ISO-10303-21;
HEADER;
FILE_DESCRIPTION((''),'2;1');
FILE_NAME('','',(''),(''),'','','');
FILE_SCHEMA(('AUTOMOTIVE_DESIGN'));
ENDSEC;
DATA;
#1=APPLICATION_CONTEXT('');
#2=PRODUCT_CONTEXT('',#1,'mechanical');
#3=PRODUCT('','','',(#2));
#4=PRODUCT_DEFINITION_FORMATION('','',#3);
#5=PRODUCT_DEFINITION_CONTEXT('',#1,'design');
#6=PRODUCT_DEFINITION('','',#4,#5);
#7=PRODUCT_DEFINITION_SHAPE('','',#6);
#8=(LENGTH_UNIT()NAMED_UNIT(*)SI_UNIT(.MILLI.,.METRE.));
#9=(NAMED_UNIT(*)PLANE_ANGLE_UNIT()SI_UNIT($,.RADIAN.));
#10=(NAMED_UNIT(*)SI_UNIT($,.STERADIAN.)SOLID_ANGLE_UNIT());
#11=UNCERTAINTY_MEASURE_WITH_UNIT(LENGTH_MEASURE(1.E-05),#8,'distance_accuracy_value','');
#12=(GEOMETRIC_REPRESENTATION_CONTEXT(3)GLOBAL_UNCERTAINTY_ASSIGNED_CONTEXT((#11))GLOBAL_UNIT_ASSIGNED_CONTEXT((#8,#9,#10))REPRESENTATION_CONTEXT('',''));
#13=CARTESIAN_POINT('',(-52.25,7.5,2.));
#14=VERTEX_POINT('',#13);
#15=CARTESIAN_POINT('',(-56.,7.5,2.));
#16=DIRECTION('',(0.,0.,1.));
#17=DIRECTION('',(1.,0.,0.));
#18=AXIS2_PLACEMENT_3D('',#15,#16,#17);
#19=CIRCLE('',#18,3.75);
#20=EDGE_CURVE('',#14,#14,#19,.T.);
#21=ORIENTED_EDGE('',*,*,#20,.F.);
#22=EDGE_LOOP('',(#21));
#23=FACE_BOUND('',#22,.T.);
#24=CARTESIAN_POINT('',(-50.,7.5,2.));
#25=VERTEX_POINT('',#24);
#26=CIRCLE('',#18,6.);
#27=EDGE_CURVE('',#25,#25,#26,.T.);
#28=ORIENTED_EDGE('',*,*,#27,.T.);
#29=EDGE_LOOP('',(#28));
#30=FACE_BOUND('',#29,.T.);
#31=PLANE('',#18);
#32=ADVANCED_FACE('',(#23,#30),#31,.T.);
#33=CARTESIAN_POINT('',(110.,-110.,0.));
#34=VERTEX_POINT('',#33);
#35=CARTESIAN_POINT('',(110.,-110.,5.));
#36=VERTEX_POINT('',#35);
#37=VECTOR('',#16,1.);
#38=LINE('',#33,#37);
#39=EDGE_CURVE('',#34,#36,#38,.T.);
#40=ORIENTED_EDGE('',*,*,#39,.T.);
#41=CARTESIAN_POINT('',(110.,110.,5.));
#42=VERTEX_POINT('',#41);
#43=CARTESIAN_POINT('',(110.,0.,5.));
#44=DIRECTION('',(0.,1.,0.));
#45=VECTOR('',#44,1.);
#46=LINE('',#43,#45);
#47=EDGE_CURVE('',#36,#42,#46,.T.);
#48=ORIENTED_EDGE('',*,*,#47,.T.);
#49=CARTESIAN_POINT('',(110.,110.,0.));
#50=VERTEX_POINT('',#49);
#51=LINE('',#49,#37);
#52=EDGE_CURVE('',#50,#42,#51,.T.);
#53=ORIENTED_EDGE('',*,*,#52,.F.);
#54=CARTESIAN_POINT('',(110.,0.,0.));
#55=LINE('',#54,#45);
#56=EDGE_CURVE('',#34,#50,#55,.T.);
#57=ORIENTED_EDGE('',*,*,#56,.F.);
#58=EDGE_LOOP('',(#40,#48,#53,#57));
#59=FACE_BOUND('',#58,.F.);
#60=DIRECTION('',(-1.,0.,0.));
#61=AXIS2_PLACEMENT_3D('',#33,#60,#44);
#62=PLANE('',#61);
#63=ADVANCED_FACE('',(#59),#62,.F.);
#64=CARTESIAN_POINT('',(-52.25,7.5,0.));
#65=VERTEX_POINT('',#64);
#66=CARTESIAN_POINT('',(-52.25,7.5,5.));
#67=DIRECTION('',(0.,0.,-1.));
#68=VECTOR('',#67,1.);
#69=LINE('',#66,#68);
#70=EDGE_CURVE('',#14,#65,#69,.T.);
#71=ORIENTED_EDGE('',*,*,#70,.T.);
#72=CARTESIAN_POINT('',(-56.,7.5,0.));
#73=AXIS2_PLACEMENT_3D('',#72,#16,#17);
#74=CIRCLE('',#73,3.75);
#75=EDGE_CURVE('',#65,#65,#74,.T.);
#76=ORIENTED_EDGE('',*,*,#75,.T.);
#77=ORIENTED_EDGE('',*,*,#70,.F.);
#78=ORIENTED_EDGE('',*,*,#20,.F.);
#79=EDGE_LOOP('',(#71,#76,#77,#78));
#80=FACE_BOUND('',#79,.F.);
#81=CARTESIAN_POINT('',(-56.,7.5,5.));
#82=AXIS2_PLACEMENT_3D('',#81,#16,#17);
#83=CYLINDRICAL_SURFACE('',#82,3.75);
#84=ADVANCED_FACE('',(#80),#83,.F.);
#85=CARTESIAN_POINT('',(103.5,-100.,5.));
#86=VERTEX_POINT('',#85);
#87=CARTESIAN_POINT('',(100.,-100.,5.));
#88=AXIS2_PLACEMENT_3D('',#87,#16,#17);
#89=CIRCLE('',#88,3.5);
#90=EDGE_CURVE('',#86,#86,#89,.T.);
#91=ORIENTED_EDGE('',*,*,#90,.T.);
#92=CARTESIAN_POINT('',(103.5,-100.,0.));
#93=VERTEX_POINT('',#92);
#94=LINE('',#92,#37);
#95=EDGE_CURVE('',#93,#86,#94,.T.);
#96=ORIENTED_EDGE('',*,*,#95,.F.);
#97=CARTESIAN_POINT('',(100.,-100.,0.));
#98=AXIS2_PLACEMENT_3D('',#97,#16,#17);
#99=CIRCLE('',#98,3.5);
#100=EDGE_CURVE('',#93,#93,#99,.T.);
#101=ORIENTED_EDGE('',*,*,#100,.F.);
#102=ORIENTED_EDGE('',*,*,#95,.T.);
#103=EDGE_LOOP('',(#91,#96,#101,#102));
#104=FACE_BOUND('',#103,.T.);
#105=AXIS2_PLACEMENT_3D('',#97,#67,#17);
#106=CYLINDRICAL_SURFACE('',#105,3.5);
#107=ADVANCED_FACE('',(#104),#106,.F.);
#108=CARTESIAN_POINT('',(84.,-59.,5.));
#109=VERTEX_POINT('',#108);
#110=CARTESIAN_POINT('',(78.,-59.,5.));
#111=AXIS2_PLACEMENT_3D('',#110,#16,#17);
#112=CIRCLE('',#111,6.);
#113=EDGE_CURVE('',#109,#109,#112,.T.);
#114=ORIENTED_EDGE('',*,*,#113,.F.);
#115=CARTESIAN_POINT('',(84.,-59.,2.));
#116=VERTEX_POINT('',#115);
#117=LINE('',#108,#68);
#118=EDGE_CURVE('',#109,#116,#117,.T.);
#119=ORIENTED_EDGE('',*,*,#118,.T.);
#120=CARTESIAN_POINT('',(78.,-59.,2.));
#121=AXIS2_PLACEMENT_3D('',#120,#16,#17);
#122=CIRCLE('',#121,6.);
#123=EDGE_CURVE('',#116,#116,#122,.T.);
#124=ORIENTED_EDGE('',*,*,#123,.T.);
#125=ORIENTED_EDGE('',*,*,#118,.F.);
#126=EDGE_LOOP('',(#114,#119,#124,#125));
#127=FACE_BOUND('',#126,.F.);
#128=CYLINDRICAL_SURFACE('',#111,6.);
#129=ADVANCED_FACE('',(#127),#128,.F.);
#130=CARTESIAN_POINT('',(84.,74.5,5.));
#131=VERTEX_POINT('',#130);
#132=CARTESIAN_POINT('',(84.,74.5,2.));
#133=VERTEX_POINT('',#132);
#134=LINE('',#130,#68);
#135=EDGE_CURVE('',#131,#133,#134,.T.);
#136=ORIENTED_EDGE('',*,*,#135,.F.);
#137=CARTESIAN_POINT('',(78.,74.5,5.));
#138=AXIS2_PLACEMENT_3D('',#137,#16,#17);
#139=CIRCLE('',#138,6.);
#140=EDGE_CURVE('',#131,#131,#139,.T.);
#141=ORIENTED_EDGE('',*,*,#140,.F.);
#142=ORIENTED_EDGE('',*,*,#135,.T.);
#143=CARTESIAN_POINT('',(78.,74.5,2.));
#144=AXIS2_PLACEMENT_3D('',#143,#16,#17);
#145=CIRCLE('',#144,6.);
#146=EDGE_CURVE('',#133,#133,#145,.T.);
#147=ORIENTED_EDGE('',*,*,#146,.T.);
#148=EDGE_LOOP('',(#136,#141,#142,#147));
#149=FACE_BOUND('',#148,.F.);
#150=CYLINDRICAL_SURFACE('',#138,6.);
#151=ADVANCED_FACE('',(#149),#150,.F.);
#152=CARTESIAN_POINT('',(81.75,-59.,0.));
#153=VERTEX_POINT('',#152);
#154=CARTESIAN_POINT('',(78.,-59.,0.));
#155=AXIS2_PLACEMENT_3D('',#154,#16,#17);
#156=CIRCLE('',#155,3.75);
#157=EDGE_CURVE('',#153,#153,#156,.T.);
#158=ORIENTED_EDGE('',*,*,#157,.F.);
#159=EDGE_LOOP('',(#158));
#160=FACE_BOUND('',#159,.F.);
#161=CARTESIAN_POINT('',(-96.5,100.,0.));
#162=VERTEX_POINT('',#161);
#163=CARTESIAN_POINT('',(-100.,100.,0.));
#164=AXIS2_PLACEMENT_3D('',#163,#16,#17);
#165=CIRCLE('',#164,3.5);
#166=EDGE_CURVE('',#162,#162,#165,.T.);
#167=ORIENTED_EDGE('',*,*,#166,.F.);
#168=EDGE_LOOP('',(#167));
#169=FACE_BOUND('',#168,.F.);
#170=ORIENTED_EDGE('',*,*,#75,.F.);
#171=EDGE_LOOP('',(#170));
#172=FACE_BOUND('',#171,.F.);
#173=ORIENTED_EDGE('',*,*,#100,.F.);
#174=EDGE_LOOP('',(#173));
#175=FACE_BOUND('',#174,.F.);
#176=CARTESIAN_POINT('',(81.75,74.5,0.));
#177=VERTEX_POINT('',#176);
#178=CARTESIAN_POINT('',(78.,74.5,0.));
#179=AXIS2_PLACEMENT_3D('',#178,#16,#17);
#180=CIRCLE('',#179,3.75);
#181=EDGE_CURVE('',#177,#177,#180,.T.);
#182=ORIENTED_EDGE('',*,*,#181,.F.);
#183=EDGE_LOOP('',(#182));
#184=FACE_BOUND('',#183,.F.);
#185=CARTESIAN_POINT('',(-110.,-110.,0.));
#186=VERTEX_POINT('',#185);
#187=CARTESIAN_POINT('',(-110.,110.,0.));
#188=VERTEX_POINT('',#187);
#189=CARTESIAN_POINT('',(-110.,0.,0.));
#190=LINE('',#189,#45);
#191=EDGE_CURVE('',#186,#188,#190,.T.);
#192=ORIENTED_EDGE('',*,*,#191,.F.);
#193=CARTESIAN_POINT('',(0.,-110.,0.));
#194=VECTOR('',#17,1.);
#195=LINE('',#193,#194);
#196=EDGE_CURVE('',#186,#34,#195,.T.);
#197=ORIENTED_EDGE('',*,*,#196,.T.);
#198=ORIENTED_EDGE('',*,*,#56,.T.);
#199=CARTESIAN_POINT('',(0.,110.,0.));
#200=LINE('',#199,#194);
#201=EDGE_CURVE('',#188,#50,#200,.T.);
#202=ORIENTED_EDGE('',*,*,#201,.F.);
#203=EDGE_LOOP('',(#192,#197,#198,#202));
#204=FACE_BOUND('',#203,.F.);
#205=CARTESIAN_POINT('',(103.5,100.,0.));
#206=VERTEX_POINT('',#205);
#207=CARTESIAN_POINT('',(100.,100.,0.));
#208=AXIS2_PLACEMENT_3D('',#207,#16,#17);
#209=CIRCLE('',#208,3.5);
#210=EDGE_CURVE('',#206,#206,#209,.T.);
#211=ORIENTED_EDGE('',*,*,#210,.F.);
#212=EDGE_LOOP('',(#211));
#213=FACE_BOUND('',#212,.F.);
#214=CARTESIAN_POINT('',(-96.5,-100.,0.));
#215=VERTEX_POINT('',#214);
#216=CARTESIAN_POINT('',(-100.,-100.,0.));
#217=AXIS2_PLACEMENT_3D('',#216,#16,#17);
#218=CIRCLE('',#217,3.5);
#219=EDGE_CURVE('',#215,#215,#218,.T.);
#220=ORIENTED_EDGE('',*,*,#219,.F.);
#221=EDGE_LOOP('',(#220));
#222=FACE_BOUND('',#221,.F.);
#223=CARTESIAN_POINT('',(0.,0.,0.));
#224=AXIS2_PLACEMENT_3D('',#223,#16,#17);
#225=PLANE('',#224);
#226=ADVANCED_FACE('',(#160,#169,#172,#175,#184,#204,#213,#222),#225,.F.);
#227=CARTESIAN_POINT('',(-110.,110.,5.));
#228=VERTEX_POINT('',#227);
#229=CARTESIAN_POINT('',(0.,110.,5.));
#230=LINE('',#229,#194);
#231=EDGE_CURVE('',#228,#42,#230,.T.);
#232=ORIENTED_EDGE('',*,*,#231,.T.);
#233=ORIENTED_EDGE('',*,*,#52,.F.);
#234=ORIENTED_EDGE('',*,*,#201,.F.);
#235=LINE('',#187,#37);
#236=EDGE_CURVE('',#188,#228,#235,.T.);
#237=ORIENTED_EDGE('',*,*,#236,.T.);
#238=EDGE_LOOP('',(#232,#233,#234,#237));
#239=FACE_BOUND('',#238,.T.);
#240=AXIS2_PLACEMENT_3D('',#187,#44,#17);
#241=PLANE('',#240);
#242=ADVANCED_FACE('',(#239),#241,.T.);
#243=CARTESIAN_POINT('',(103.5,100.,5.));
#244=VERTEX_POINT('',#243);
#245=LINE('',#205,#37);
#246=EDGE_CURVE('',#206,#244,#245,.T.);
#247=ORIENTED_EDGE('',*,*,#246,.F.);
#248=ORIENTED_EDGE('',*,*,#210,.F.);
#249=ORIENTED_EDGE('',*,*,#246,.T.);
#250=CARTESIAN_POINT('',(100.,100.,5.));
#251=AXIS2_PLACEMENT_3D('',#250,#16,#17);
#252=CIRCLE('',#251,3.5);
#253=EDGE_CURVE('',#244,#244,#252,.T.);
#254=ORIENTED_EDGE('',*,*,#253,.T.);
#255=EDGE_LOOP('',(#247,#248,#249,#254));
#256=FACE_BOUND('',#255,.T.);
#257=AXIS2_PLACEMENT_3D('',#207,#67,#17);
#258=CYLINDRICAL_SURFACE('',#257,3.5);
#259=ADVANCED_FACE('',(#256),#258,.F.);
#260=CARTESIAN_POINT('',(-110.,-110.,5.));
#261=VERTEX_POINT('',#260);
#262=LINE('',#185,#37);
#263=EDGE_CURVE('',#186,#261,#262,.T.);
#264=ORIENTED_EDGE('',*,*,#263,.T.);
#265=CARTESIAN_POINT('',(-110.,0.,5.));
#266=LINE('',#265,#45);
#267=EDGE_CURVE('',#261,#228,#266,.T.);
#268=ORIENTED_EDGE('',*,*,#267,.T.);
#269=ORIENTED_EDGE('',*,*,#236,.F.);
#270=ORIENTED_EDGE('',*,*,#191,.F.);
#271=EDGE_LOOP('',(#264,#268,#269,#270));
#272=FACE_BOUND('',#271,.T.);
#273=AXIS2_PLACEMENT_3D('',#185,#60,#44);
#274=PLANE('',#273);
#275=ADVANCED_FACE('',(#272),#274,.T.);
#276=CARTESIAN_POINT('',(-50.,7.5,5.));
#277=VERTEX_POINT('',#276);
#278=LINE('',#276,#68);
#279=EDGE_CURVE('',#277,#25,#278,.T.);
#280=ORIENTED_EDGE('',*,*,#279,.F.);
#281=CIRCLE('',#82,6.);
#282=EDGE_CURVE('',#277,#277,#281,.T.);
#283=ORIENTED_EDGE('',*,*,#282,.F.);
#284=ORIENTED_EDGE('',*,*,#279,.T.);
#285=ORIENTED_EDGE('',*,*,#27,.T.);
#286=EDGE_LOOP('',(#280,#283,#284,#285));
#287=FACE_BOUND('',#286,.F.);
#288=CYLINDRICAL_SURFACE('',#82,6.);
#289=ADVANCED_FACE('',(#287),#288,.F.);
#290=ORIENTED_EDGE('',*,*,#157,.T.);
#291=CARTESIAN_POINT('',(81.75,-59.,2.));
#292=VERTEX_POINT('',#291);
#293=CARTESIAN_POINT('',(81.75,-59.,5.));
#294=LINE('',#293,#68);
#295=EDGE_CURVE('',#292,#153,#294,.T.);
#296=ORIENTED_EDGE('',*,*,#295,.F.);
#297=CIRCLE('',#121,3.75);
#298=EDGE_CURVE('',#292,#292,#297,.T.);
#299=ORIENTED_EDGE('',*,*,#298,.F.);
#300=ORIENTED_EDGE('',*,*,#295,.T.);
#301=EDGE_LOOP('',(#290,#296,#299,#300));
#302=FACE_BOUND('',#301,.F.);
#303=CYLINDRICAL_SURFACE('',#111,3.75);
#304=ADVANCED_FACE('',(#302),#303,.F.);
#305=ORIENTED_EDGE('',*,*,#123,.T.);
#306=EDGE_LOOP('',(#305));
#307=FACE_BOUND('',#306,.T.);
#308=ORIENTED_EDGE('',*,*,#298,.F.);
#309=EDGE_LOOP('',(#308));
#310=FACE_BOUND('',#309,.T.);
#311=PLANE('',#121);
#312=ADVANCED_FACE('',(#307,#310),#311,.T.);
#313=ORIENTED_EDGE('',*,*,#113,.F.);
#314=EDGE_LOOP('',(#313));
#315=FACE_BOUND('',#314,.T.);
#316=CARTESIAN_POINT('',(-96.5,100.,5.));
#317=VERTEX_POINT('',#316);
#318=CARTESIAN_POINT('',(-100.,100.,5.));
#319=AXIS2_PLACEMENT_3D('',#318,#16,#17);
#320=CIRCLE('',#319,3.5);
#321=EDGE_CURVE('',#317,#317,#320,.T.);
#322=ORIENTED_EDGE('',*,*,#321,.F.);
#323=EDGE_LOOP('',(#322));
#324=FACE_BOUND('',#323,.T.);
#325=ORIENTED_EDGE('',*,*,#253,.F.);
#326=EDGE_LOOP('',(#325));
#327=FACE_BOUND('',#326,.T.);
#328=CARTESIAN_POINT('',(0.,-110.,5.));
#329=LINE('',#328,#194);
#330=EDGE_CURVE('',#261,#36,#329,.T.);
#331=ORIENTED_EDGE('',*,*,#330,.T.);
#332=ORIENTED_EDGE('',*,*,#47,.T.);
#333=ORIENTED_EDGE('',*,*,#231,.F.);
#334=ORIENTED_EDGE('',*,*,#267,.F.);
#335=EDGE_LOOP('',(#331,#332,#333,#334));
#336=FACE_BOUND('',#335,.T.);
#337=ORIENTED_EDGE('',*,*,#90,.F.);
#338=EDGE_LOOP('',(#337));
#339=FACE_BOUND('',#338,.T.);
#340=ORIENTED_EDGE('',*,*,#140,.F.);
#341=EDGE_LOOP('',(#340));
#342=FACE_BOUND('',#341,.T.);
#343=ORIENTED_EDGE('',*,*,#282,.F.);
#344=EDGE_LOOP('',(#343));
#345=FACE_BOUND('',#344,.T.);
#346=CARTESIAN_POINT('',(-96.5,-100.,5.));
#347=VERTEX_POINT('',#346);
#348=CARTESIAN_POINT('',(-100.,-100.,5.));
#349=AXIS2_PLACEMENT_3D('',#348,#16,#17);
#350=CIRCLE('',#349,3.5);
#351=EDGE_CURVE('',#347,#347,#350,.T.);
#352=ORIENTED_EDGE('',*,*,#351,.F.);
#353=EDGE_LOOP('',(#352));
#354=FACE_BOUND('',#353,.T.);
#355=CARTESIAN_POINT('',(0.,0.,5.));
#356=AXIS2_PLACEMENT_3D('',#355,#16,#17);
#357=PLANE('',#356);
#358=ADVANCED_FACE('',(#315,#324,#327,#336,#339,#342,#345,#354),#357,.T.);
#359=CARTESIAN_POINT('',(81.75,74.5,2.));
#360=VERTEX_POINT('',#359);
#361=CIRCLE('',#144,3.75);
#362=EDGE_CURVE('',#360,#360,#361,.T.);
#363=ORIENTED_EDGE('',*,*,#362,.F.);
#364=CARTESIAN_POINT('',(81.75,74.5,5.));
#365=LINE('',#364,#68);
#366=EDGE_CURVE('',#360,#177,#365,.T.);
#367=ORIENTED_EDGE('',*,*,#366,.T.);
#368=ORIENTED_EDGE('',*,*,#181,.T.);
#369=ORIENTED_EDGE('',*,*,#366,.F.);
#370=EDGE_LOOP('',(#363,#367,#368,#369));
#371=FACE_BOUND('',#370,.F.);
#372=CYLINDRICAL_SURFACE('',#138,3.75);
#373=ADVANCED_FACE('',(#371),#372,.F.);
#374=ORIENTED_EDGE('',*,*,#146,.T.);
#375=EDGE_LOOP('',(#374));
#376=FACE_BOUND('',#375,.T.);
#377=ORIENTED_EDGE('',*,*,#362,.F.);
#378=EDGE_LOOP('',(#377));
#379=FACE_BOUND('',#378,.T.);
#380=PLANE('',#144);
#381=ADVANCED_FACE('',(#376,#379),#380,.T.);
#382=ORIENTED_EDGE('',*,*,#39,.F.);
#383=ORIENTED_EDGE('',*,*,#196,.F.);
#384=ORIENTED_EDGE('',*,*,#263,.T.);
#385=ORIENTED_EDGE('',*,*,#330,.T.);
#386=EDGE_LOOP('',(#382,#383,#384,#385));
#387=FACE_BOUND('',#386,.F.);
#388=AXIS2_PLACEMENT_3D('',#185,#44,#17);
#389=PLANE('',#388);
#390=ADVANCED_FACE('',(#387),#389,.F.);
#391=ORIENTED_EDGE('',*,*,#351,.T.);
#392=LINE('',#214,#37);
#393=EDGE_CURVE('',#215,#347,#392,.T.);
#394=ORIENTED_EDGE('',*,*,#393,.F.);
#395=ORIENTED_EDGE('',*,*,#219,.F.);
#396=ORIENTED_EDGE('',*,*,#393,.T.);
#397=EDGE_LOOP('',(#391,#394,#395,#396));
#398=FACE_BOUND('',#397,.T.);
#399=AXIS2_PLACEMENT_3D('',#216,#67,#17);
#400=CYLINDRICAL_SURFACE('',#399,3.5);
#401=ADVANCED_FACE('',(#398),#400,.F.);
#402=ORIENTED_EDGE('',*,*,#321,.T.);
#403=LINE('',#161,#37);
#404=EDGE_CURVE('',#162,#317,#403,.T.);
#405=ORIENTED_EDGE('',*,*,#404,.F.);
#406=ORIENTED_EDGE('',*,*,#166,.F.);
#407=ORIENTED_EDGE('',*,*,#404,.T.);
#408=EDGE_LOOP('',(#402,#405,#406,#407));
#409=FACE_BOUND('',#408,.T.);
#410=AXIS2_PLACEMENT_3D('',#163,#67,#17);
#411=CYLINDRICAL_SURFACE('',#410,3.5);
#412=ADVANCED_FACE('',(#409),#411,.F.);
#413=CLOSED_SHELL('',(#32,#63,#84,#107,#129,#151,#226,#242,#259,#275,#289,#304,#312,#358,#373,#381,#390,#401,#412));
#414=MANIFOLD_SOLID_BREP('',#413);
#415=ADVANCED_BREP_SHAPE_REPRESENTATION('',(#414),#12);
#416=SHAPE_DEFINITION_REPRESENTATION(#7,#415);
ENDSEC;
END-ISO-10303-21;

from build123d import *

# Parameters (mm, degrees)
F0_W     = 220
F0_H     = 220
F0_R     = 3.5
F1_DEPTH = 5
F2_R     = 3.75
F3_DEPTH = 5.001
F4_R     = 6
F5_DEPTH = 3


with BuildPart() as f1:
    # F0 (on Top) → F1 (new body)
    with BuildSketch(Plane.XY):
        Rectangle(F0_W, F0_H)
        with Locations((-100, -100)):
            Circle(F0_R, mode=Mode.SUBTRACT)
        with Locations((100, -100)):
            Circle(F0_R, mode=Mode.SUBTRACT)
        with Locations((-100, 100)):
            Circle(F0_R, mode=Mode.SUBTRACT)
        with Locations((100, 100)):
            Circle(F0_R, mode=Mode.SUBTRACT)
    extrude(amount=F1_DEPTH)

    # F2 (on face) → F3 (cut, through all)
    with BuildSketch(Plane.XY.offset(5)):
        with Locations((-56, 7.5)):
            Circle(F2_R)
        with Locations((78, 74.5)):
            Circle(F2_R)
        with Locations((78, -59)):
            Circle(F2_R)
    extrude(amount=-F3_DEPTH, mode=Mode.SUBTRACT)

    # F4 (on face) → F5 (cut)
    with BuildSketch(Plane.XY.offset(5)):
        with Locations((-56, 7.5)):
            Circle(F4_R)
        with Locations((78, 74.5)):
            Circle(F4_R)
        with Locations((78, -59)):
            Circle(F4_R)
    extrude(amount=-F5_DEPTH, mode=Mode.SUBTRACT)


solid = f1.part
